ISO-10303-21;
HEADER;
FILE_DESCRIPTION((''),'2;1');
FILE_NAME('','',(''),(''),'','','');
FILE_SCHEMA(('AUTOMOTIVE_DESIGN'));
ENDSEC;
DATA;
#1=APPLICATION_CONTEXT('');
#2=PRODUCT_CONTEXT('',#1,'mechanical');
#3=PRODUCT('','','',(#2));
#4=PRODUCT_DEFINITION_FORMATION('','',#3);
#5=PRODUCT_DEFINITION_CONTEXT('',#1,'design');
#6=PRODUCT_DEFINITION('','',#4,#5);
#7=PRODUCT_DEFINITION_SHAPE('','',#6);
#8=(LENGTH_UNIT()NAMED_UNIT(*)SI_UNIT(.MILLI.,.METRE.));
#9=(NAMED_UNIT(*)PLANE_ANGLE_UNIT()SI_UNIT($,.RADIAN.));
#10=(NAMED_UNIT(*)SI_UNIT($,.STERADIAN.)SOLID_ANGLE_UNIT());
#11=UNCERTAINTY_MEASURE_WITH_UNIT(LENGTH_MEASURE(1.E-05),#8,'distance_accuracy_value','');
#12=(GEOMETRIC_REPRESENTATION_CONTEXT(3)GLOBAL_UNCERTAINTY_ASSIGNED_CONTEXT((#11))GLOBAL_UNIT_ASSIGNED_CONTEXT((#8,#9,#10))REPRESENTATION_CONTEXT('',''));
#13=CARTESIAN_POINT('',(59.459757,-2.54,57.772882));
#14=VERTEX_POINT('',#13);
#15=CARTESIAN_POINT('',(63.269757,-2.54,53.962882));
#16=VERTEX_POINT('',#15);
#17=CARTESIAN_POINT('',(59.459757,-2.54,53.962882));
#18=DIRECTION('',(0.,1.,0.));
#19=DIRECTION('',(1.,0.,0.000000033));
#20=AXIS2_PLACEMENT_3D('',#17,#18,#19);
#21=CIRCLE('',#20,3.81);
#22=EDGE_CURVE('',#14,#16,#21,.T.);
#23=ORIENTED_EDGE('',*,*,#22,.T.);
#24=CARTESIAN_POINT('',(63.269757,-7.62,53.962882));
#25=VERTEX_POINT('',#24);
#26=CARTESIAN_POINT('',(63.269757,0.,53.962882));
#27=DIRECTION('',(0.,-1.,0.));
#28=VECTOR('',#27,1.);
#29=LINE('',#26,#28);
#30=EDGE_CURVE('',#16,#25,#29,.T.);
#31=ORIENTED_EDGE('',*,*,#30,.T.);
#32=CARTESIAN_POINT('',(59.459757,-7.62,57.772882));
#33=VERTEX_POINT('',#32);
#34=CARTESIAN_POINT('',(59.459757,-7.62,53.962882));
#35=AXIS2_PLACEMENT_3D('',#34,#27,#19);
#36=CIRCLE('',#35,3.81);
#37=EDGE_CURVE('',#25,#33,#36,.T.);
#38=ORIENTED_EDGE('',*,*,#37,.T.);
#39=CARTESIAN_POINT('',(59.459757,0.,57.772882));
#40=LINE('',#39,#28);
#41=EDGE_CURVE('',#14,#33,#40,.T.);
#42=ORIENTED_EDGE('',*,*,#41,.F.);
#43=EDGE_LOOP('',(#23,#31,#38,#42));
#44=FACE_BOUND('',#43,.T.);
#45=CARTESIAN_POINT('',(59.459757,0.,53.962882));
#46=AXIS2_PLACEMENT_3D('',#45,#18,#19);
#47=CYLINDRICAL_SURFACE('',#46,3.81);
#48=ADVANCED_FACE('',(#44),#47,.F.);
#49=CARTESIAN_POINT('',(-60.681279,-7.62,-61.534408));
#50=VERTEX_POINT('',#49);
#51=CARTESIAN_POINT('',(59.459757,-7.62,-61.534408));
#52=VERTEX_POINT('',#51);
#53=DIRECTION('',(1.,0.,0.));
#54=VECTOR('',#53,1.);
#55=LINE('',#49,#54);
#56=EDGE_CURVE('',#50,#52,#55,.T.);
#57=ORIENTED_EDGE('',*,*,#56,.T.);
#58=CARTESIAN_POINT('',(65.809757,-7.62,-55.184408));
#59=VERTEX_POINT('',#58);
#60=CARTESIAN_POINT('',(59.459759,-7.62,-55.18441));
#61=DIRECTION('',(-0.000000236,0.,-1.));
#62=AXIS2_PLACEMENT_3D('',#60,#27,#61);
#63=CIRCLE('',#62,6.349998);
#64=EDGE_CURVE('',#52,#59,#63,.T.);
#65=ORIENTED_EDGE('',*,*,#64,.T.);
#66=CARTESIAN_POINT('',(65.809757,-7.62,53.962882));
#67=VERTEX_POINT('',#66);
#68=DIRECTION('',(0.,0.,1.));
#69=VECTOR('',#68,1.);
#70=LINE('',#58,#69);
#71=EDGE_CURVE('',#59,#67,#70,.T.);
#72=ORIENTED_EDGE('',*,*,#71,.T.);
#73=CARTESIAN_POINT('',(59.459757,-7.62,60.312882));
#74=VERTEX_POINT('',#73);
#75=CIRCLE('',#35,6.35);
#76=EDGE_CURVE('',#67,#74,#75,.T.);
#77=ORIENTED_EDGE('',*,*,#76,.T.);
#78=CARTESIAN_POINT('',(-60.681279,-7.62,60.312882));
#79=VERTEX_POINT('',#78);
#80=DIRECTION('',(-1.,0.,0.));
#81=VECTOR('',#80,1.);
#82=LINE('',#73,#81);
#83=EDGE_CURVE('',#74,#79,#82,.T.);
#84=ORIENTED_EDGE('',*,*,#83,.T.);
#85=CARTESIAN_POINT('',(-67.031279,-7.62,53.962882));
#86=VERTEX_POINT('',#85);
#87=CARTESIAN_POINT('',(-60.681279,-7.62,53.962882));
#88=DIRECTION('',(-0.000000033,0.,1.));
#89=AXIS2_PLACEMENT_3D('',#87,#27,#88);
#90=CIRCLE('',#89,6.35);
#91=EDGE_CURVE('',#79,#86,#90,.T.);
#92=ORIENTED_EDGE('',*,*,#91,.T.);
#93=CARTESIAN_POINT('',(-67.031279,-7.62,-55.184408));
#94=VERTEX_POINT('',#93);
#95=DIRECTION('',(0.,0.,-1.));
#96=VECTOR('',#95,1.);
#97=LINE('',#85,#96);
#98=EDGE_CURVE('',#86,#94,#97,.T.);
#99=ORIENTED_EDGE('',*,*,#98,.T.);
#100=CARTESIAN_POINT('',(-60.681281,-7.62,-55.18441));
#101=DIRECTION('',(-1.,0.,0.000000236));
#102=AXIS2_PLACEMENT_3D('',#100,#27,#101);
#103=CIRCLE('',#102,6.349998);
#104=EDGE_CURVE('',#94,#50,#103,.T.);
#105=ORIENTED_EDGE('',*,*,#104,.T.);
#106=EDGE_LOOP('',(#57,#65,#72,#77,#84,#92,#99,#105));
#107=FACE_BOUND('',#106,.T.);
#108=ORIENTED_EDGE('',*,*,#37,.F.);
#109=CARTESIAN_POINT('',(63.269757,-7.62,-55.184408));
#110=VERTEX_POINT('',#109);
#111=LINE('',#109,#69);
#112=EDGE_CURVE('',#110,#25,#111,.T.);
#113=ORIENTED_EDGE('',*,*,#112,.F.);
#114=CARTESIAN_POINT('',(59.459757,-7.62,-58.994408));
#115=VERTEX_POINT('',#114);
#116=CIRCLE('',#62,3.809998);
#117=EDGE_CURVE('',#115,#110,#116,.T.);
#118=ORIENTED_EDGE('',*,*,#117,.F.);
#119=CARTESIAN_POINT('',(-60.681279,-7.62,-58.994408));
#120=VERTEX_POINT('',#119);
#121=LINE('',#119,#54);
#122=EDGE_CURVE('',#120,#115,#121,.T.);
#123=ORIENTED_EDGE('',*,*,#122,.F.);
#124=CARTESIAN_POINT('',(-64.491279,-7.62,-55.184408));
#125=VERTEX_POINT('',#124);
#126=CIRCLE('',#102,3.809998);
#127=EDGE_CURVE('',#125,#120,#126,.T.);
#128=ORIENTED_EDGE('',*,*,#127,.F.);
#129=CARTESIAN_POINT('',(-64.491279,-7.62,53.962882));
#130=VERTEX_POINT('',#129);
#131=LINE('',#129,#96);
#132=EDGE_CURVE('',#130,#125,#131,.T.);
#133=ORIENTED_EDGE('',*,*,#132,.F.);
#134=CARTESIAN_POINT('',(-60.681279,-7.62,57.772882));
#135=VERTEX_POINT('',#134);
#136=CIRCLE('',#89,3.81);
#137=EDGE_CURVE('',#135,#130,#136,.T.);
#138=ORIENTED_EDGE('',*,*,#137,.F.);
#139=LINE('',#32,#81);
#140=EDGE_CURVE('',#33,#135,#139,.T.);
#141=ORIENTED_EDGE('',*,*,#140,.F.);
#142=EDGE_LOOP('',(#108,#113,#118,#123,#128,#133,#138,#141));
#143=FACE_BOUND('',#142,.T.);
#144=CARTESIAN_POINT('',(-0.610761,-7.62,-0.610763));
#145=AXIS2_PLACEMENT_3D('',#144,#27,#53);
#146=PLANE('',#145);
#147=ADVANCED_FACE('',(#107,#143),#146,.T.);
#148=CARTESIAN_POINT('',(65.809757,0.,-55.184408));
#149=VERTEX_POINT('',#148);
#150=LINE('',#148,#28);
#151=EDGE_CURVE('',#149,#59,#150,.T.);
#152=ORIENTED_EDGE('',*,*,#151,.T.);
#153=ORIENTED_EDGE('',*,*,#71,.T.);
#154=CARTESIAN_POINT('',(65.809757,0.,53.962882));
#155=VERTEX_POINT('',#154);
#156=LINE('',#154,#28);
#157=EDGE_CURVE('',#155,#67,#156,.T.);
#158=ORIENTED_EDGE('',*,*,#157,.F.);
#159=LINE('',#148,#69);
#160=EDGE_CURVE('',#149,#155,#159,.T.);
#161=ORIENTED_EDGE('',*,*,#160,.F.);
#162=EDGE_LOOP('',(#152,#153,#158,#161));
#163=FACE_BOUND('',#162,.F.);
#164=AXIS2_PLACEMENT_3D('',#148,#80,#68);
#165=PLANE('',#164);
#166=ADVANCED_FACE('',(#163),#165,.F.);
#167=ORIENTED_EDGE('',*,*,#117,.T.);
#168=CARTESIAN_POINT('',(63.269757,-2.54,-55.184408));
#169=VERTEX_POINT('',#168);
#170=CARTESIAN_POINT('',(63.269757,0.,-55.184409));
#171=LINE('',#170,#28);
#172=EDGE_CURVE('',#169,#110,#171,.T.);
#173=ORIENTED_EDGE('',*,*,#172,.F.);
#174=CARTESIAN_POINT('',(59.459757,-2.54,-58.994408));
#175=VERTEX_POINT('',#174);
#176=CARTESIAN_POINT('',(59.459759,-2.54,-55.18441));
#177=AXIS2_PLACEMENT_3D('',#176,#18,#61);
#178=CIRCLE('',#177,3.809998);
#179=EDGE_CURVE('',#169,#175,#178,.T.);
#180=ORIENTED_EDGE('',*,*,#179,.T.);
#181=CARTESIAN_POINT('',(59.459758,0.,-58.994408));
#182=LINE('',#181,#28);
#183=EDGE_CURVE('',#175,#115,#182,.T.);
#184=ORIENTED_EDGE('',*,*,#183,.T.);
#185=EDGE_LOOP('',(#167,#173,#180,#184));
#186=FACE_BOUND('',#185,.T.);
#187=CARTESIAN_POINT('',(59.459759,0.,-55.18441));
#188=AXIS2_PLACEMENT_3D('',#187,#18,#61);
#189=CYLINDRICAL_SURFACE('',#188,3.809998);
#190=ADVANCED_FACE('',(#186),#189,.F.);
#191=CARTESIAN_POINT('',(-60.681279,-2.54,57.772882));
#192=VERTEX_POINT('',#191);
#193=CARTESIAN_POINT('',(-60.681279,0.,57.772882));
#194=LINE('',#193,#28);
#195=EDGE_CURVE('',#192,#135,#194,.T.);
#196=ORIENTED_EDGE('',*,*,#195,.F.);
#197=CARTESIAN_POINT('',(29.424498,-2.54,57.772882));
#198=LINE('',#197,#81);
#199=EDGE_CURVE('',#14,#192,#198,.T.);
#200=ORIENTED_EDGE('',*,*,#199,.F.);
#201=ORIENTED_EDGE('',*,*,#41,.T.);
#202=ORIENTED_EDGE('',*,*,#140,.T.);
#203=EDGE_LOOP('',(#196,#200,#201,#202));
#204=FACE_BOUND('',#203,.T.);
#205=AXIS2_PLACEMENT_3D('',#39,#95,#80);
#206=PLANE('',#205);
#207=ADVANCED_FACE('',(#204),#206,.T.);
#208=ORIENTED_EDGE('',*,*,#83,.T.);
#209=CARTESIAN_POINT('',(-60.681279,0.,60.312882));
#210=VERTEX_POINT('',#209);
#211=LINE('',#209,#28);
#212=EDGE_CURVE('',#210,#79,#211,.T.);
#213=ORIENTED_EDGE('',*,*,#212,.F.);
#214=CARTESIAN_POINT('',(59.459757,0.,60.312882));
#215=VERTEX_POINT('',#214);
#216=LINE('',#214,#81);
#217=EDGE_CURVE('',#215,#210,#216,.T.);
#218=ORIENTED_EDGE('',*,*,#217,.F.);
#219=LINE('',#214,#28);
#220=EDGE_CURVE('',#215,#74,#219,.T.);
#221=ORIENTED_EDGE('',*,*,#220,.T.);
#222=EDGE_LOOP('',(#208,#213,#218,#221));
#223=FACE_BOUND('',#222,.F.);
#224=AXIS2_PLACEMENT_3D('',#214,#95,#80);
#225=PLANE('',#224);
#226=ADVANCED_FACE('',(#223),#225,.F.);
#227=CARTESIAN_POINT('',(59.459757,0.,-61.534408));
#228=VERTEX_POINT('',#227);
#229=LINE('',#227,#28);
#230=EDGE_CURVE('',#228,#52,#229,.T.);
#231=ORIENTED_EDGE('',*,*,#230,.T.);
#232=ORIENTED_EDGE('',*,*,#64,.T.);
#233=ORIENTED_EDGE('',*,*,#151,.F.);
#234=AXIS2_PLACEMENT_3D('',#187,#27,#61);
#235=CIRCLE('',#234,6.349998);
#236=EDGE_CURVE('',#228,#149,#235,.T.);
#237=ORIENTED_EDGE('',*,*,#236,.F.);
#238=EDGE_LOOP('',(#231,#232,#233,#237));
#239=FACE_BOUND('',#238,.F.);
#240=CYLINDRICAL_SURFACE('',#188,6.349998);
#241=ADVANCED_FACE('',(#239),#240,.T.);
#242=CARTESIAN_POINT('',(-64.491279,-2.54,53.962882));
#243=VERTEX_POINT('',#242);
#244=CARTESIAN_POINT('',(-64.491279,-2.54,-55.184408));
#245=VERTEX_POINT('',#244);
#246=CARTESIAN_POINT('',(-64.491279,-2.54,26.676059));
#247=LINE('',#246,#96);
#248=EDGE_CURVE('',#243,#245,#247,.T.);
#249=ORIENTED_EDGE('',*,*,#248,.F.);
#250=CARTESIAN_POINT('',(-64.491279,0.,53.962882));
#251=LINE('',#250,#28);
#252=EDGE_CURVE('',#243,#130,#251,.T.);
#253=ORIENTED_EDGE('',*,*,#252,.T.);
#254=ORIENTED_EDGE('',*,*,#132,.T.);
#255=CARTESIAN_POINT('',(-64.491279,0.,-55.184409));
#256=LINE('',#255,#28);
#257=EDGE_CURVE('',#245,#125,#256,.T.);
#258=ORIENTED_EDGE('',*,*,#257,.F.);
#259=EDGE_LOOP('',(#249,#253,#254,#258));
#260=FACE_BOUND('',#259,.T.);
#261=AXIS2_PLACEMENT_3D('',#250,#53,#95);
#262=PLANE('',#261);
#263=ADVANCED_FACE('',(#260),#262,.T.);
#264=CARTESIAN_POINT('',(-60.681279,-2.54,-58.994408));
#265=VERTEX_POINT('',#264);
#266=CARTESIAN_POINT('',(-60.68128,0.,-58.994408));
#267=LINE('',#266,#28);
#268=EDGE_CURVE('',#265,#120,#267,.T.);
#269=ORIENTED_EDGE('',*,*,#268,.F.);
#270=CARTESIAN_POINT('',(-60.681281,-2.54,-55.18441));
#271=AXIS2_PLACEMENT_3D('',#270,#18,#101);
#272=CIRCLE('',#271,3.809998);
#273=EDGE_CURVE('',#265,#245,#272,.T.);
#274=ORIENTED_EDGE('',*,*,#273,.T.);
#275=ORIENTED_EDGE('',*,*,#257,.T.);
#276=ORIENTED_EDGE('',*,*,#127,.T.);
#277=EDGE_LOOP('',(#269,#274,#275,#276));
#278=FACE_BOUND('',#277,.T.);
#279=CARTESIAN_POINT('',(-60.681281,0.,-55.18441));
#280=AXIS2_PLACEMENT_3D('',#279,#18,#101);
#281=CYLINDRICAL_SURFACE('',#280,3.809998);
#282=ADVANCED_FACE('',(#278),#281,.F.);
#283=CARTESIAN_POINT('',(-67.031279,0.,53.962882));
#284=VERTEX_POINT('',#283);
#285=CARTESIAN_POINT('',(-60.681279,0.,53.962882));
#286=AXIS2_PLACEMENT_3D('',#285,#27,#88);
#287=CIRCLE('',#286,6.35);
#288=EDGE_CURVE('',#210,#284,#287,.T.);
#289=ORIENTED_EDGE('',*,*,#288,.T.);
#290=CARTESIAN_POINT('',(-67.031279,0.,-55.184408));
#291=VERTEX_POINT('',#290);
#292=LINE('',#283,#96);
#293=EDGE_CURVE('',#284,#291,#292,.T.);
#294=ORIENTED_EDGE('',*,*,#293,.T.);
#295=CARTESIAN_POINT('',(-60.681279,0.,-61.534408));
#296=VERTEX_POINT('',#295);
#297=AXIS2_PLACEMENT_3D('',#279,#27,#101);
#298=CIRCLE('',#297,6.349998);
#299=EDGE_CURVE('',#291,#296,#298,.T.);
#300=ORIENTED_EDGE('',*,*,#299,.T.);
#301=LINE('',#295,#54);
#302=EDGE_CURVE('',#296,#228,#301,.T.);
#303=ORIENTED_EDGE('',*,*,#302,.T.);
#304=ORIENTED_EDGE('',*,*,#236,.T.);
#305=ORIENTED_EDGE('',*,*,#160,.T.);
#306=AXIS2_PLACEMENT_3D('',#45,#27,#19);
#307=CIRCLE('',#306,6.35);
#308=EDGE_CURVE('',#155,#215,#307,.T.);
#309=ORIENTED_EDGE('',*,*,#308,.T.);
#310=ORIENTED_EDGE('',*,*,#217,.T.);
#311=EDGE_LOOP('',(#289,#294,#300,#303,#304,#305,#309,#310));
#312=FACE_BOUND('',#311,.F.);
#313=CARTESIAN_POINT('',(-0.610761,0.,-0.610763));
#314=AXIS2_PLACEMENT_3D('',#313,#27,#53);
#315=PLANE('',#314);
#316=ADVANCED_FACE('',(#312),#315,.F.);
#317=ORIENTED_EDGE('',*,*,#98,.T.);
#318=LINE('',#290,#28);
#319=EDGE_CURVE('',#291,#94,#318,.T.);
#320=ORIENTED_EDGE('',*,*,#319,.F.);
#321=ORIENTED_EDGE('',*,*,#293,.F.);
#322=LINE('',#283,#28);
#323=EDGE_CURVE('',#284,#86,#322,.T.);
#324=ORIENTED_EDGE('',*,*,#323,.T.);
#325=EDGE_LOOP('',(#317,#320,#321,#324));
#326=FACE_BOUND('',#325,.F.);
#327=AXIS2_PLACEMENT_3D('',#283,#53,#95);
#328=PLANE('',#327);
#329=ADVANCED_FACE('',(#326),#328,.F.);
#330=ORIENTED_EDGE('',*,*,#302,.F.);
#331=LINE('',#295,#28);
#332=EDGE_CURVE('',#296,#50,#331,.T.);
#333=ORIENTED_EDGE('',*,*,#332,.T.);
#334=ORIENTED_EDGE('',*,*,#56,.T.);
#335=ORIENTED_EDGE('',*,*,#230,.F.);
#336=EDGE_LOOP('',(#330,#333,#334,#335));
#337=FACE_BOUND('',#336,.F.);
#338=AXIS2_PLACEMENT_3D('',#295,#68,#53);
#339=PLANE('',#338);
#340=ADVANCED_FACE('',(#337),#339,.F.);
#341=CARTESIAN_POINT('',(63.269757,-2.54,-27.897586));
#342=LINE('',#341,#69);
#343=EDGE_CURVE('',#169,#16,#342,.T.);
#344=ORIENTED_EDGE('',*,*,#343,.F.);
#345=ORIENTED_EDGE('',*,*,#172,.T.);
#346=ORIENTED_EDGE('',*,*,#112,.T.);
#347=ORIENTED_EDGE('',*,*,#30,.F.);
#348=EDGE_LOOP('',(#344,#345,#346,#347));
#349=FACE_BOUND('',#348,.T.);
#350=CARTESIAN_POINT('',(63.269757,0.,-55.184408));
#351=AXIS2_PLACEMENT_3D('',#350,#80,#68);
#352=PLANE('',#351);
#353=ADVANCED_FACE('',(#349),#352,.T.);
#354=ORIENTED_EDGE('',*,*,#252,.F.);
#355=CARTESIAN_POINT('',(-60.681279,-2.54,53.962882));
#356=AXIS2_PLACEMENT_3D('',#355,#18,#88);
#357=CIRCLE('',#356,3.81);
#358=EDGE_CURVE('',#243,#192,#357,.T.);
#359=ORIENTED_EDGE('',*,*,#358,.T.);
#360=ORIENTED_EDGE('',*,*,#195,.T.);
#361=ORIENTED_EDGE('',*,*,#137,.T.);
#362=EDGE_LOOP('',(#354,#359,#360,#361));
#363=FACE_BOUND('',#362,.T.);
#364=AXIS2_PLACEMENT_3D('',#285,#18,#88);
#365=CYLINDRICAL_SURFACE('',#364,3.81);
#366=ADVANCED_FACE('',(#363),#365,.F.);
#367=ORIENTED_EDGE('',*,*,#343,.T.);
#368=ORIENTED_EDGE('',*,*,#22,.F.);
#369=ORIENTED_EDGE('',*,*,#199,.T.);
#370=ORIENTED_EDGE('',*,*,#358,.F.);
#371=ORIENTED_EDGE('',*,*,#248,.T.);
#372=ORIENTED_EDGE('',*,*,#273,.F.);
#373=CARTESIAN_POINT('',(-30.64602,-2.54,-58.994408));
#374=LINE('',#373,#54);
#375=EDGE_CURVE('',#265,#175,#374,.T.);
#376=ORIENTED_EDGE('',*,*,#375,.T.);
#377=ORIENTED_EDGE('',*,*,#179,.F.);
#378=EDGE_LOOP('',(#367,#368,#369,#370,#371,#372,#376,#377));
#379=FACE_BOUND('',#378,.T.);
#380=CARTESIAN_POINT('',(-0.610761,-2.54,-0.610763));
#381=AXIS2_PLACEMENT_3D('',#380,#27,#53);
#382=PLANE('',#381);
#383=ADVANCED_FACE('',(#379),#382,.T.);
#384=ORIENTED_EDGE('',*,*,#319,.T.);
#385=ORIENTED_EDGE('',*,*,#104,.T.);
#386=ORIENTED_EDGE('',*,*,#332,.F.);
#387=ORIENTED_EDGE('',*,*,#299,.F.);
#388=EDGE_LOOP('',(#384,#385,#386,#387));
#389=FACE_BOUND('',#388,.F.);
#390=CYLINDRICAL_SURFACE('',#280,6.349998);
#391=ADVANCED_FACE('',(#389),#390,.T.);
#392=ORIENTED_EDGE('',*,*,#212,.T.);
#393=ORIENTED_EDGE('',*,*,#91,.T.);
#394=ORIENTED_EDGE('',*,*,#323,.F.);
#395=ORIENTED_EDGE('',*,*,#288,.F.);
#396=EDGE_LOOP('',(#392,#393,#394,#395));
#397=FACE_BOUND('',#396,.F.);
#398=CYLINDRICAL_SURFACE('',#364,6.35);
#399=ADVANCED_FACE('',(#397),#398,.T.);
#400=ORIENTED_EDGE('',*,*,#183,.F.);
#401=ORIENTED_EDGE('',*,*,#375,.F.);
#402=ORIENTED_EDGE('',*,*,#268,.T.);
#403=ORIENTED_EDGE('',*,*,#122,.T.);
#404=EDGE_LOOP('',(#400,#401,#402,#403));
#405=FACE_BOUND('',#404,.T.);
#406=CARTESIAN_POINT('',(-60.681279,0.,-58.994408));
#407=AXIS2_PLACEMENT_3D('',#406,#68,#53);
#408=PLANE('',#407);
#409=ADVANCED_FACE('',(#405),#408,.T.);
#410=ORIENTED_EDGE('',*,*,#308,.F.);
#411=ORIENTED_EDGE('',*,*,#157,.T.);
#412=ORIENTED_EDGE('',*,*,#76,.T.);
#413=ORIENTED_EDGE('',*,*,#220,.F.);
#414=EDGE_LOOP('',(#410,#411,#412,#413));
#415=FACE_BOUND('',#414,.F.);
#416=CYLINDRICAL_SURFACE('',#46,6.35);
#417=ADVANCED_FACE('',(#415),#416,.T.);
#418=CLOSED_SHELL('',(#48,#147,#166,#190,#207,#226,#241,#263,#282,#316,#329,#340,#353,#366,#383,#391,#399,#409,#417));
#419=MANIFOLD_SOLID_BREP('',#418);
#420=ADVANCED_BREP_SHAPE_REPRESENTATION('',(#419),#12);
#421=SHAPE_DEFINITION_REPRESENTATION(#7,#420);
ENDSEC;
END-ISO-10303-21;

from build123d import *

# Parameters (mm, degrees)
F1_DEPTH = 7.62
F2_T     = -2.54


with BuildPart() as f1:
    # F0 (on Front) → F1 (new body)
    with BuildSketch(Plane.XZ):
        with BuildLine():
            Line((59.459757, 60.312882), (-60.681279, 60.312882))
            ThreePointArc((-60.681279, 60.312882), (-65.171407, 58.45301), (-67.031279, 53.962882))
            Line((-67.031279, 53.962882), (-67.031279, -55.184408))
            ThreePointArc((-67.031279, -55.184408), (-65.171407, -59.674537), (-60.681279, -61.534408))
            Line((-60.681279, -61.534408), (59.459757, -61.534408))
            ThreePointArc((59.459757, -61.534408), (63.949885, -59.674537), (65.809757, -55.184408))
            Line((65.809757, -55.184408), (65.809757, 53.962882))
            ThreePointArc((65.809757, 53.962882), (63.949885, 58.45301), (59.459757, 60.312882))
        make_face()
    extrude(amount=F1_DEPTH)

    # F2
    f2_openings = [f1.faces().sort_by_distance(p)[0] for p in [
        (-0.610761, -7.62, -0.610763),
    ]]
    offset(amount=F2_T, openings=f2_openings)


solid = f1.part
